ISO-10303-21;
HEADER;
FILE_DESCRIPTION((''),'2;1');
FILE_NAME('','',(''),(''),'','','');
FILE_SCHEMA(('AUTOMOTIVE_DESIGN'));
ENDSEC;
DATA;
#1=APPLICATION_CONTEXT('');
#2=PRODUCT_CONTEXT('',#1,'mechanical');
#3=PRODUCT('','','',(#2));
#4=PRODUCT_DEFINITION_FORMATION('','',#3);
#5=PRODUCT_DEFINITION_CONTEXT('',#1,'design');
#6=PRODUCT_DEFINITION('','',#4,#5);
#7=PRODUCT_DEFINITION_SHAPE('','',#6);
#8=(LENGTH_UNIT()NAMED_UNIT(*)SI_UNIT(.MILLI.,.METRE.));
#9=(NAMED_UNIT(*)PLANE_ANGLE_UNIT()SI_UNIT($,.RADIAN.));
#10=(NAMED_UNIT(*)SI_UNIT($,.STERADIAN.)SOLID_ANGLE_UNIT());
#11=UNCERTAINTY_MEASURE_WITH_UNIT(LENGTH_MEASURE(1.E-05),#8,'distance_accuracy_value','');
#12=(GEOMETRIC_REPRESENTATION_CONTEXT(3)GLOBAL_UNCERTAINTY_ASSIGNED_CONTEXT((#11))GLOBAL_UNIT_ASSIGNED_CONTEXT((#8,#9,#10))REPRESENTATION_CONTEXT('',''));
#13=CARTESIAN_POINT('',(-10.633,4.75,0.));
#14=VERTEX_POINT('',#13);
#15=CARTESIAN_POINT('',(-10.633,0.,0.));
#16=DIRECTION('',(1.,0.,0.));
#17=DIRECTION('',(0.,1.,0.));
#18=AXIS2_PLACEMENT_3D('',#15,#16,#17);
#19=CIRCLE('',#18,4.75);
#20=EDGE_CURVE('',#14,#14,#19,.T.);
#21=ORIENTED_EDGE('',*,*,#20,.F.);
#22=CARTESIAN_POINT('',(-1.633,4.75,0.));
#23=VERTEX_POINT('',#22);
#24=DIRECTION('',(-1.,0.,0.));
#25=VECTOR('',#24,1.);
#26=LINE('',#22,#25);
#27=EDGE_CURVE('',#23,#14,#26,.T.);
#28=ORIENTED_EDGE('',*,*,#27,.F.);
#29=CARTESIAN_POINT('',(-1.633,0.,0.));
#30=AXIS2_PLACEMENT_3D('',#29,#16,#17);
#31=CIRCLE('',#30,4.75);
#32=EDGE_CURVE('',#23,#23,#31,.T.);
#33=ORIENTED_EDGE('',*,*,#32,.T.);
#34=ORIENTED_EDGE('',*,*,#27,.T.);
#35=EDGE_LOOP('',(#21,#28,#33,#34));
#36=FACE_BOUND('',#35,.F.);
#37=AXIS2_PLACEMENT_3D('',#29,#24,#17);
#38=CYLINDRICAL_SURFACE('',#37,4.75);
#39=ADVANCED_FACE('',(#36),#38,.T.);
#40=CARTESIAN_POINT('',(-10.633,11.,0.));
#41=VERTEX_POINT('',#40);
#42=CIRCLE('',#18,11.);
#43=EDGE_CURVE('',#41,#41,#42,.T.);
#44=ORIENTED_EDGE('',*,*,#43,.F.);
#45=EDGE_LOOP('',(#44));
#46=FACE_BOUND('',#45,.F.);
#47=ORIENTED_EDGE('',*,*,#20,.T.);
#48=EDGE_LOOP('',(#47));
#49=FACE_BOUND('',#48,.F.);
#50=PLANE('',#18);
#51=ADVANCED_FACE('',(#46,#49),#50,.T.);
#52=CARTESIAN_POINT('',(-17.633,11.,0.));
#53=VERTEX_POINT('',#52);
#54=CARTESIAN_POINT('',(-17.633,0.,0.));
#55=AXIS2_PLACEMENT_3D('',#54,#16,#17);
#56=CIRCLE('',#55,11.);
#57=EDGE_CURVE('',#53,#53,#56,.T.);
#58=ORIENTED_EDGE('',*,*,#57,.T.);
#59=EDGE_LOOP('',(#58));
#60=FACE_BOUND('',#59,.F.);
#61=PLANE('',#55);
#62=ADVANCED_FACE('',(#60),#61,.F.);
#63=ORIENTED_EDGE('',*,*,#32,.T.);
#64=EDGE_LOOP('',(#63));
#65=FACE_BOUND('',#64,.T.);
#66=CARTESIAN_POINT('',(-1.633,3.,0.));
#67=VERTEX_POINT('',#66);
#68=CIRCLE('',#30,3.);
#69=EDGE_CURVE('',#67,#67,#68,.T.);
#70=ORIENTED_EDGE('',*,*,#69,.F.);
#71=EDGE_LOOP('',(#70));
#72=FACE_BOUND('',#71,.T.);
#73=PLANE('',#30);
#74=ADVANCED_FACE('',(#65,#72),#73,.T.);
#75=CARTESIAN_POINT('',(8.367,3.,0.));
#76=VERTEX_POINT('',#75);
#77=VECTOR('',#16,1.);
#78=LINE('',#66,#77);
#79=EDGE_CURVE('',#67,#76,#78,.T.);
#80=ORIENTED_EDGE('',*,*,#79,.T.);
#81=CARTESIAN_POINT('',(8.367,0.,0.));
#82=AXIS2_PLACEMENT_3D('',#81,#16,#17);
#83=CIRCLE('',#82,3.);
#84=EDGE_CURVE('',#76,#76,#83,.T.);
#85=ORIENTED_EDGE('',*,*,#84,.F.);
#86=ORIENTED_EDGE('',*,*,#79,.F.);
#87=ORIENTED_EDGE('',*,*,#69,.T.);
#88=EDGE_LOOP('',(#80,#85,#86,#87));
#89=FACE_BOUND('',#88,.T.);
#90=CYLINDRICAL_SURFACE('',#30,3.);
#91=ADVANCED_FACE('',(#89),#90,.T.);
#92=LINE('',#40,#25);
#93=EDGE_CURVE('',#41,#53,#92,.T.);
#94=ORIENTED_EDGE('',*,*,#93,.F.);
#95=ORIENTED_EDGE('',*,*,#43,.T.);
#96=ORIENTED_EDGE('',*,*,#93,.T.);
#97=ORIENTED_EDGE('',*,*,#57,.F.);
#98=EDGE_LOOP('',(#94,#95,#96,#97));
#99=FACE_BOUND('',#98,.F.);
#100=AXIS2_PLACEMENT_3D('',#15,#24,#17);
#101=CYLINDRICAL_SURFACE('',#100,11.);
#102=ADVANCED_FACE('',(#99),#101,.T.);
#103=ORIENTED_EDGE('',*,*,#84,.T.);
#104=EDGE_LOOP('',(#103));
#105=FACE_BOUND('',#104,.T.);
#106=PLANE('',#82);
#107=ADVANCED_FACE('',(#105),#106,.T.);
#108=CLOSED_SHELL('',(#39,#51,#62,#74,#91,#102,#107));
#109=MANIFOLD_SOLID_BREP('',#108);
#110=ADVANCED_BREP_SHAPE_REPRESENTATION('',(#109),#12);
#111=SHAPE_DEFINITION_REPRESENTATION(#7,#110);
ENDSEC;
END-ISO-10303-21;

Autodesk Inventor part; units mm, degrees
ref_plane "YZ Plane" through (0, 0, 0) normal (1, 0, 0) x (0, 1, 0)
ref_plane "XZ Plane" through (0, 0, 0) normal (0, 1, 0) x (-1, 0, 0)
ref_plane "XY Plane" through (0, 0, 0) normal (0, 0, 1) x (1, 0, 0)
sketch "Sketch1" plane through (0, 0, 0) normal (0, 0, 1) x (1, 0, 0)
  line L0 (-1.633, 4.75) -> (-10.633, 4.75)
  line L1 (-10.633, 4.75) -> (-10.633, 11)
  line L2 (-10.633, 11) -> (-17.633, 11)
  line L3 (-17.633, 11) -> (-17.633, 0)
  line L4 (-17.633, 0) -> (8.367, 0)
  line L5 (-1.633, 4.75) -> (-1.633, 3)
  line L6 (-1.633, 3) -> (8.367, 3)
  line L7 (8.367, 3) -> (8.367, 0)
  point P0 (0, 0)
  dimension "d3" = 9
  dimension "d5" = 11
  dimension "d6" = 7
  dimension "d7" = 1.75
  dimension "d8" = 3
  dimension "d9" = 4.75
revolve "Revolution1" add sketch "Sketch1" angle 360 about axis through (-17.633, 0, 0) along (1, 0, 0)
properties part number "guia"
